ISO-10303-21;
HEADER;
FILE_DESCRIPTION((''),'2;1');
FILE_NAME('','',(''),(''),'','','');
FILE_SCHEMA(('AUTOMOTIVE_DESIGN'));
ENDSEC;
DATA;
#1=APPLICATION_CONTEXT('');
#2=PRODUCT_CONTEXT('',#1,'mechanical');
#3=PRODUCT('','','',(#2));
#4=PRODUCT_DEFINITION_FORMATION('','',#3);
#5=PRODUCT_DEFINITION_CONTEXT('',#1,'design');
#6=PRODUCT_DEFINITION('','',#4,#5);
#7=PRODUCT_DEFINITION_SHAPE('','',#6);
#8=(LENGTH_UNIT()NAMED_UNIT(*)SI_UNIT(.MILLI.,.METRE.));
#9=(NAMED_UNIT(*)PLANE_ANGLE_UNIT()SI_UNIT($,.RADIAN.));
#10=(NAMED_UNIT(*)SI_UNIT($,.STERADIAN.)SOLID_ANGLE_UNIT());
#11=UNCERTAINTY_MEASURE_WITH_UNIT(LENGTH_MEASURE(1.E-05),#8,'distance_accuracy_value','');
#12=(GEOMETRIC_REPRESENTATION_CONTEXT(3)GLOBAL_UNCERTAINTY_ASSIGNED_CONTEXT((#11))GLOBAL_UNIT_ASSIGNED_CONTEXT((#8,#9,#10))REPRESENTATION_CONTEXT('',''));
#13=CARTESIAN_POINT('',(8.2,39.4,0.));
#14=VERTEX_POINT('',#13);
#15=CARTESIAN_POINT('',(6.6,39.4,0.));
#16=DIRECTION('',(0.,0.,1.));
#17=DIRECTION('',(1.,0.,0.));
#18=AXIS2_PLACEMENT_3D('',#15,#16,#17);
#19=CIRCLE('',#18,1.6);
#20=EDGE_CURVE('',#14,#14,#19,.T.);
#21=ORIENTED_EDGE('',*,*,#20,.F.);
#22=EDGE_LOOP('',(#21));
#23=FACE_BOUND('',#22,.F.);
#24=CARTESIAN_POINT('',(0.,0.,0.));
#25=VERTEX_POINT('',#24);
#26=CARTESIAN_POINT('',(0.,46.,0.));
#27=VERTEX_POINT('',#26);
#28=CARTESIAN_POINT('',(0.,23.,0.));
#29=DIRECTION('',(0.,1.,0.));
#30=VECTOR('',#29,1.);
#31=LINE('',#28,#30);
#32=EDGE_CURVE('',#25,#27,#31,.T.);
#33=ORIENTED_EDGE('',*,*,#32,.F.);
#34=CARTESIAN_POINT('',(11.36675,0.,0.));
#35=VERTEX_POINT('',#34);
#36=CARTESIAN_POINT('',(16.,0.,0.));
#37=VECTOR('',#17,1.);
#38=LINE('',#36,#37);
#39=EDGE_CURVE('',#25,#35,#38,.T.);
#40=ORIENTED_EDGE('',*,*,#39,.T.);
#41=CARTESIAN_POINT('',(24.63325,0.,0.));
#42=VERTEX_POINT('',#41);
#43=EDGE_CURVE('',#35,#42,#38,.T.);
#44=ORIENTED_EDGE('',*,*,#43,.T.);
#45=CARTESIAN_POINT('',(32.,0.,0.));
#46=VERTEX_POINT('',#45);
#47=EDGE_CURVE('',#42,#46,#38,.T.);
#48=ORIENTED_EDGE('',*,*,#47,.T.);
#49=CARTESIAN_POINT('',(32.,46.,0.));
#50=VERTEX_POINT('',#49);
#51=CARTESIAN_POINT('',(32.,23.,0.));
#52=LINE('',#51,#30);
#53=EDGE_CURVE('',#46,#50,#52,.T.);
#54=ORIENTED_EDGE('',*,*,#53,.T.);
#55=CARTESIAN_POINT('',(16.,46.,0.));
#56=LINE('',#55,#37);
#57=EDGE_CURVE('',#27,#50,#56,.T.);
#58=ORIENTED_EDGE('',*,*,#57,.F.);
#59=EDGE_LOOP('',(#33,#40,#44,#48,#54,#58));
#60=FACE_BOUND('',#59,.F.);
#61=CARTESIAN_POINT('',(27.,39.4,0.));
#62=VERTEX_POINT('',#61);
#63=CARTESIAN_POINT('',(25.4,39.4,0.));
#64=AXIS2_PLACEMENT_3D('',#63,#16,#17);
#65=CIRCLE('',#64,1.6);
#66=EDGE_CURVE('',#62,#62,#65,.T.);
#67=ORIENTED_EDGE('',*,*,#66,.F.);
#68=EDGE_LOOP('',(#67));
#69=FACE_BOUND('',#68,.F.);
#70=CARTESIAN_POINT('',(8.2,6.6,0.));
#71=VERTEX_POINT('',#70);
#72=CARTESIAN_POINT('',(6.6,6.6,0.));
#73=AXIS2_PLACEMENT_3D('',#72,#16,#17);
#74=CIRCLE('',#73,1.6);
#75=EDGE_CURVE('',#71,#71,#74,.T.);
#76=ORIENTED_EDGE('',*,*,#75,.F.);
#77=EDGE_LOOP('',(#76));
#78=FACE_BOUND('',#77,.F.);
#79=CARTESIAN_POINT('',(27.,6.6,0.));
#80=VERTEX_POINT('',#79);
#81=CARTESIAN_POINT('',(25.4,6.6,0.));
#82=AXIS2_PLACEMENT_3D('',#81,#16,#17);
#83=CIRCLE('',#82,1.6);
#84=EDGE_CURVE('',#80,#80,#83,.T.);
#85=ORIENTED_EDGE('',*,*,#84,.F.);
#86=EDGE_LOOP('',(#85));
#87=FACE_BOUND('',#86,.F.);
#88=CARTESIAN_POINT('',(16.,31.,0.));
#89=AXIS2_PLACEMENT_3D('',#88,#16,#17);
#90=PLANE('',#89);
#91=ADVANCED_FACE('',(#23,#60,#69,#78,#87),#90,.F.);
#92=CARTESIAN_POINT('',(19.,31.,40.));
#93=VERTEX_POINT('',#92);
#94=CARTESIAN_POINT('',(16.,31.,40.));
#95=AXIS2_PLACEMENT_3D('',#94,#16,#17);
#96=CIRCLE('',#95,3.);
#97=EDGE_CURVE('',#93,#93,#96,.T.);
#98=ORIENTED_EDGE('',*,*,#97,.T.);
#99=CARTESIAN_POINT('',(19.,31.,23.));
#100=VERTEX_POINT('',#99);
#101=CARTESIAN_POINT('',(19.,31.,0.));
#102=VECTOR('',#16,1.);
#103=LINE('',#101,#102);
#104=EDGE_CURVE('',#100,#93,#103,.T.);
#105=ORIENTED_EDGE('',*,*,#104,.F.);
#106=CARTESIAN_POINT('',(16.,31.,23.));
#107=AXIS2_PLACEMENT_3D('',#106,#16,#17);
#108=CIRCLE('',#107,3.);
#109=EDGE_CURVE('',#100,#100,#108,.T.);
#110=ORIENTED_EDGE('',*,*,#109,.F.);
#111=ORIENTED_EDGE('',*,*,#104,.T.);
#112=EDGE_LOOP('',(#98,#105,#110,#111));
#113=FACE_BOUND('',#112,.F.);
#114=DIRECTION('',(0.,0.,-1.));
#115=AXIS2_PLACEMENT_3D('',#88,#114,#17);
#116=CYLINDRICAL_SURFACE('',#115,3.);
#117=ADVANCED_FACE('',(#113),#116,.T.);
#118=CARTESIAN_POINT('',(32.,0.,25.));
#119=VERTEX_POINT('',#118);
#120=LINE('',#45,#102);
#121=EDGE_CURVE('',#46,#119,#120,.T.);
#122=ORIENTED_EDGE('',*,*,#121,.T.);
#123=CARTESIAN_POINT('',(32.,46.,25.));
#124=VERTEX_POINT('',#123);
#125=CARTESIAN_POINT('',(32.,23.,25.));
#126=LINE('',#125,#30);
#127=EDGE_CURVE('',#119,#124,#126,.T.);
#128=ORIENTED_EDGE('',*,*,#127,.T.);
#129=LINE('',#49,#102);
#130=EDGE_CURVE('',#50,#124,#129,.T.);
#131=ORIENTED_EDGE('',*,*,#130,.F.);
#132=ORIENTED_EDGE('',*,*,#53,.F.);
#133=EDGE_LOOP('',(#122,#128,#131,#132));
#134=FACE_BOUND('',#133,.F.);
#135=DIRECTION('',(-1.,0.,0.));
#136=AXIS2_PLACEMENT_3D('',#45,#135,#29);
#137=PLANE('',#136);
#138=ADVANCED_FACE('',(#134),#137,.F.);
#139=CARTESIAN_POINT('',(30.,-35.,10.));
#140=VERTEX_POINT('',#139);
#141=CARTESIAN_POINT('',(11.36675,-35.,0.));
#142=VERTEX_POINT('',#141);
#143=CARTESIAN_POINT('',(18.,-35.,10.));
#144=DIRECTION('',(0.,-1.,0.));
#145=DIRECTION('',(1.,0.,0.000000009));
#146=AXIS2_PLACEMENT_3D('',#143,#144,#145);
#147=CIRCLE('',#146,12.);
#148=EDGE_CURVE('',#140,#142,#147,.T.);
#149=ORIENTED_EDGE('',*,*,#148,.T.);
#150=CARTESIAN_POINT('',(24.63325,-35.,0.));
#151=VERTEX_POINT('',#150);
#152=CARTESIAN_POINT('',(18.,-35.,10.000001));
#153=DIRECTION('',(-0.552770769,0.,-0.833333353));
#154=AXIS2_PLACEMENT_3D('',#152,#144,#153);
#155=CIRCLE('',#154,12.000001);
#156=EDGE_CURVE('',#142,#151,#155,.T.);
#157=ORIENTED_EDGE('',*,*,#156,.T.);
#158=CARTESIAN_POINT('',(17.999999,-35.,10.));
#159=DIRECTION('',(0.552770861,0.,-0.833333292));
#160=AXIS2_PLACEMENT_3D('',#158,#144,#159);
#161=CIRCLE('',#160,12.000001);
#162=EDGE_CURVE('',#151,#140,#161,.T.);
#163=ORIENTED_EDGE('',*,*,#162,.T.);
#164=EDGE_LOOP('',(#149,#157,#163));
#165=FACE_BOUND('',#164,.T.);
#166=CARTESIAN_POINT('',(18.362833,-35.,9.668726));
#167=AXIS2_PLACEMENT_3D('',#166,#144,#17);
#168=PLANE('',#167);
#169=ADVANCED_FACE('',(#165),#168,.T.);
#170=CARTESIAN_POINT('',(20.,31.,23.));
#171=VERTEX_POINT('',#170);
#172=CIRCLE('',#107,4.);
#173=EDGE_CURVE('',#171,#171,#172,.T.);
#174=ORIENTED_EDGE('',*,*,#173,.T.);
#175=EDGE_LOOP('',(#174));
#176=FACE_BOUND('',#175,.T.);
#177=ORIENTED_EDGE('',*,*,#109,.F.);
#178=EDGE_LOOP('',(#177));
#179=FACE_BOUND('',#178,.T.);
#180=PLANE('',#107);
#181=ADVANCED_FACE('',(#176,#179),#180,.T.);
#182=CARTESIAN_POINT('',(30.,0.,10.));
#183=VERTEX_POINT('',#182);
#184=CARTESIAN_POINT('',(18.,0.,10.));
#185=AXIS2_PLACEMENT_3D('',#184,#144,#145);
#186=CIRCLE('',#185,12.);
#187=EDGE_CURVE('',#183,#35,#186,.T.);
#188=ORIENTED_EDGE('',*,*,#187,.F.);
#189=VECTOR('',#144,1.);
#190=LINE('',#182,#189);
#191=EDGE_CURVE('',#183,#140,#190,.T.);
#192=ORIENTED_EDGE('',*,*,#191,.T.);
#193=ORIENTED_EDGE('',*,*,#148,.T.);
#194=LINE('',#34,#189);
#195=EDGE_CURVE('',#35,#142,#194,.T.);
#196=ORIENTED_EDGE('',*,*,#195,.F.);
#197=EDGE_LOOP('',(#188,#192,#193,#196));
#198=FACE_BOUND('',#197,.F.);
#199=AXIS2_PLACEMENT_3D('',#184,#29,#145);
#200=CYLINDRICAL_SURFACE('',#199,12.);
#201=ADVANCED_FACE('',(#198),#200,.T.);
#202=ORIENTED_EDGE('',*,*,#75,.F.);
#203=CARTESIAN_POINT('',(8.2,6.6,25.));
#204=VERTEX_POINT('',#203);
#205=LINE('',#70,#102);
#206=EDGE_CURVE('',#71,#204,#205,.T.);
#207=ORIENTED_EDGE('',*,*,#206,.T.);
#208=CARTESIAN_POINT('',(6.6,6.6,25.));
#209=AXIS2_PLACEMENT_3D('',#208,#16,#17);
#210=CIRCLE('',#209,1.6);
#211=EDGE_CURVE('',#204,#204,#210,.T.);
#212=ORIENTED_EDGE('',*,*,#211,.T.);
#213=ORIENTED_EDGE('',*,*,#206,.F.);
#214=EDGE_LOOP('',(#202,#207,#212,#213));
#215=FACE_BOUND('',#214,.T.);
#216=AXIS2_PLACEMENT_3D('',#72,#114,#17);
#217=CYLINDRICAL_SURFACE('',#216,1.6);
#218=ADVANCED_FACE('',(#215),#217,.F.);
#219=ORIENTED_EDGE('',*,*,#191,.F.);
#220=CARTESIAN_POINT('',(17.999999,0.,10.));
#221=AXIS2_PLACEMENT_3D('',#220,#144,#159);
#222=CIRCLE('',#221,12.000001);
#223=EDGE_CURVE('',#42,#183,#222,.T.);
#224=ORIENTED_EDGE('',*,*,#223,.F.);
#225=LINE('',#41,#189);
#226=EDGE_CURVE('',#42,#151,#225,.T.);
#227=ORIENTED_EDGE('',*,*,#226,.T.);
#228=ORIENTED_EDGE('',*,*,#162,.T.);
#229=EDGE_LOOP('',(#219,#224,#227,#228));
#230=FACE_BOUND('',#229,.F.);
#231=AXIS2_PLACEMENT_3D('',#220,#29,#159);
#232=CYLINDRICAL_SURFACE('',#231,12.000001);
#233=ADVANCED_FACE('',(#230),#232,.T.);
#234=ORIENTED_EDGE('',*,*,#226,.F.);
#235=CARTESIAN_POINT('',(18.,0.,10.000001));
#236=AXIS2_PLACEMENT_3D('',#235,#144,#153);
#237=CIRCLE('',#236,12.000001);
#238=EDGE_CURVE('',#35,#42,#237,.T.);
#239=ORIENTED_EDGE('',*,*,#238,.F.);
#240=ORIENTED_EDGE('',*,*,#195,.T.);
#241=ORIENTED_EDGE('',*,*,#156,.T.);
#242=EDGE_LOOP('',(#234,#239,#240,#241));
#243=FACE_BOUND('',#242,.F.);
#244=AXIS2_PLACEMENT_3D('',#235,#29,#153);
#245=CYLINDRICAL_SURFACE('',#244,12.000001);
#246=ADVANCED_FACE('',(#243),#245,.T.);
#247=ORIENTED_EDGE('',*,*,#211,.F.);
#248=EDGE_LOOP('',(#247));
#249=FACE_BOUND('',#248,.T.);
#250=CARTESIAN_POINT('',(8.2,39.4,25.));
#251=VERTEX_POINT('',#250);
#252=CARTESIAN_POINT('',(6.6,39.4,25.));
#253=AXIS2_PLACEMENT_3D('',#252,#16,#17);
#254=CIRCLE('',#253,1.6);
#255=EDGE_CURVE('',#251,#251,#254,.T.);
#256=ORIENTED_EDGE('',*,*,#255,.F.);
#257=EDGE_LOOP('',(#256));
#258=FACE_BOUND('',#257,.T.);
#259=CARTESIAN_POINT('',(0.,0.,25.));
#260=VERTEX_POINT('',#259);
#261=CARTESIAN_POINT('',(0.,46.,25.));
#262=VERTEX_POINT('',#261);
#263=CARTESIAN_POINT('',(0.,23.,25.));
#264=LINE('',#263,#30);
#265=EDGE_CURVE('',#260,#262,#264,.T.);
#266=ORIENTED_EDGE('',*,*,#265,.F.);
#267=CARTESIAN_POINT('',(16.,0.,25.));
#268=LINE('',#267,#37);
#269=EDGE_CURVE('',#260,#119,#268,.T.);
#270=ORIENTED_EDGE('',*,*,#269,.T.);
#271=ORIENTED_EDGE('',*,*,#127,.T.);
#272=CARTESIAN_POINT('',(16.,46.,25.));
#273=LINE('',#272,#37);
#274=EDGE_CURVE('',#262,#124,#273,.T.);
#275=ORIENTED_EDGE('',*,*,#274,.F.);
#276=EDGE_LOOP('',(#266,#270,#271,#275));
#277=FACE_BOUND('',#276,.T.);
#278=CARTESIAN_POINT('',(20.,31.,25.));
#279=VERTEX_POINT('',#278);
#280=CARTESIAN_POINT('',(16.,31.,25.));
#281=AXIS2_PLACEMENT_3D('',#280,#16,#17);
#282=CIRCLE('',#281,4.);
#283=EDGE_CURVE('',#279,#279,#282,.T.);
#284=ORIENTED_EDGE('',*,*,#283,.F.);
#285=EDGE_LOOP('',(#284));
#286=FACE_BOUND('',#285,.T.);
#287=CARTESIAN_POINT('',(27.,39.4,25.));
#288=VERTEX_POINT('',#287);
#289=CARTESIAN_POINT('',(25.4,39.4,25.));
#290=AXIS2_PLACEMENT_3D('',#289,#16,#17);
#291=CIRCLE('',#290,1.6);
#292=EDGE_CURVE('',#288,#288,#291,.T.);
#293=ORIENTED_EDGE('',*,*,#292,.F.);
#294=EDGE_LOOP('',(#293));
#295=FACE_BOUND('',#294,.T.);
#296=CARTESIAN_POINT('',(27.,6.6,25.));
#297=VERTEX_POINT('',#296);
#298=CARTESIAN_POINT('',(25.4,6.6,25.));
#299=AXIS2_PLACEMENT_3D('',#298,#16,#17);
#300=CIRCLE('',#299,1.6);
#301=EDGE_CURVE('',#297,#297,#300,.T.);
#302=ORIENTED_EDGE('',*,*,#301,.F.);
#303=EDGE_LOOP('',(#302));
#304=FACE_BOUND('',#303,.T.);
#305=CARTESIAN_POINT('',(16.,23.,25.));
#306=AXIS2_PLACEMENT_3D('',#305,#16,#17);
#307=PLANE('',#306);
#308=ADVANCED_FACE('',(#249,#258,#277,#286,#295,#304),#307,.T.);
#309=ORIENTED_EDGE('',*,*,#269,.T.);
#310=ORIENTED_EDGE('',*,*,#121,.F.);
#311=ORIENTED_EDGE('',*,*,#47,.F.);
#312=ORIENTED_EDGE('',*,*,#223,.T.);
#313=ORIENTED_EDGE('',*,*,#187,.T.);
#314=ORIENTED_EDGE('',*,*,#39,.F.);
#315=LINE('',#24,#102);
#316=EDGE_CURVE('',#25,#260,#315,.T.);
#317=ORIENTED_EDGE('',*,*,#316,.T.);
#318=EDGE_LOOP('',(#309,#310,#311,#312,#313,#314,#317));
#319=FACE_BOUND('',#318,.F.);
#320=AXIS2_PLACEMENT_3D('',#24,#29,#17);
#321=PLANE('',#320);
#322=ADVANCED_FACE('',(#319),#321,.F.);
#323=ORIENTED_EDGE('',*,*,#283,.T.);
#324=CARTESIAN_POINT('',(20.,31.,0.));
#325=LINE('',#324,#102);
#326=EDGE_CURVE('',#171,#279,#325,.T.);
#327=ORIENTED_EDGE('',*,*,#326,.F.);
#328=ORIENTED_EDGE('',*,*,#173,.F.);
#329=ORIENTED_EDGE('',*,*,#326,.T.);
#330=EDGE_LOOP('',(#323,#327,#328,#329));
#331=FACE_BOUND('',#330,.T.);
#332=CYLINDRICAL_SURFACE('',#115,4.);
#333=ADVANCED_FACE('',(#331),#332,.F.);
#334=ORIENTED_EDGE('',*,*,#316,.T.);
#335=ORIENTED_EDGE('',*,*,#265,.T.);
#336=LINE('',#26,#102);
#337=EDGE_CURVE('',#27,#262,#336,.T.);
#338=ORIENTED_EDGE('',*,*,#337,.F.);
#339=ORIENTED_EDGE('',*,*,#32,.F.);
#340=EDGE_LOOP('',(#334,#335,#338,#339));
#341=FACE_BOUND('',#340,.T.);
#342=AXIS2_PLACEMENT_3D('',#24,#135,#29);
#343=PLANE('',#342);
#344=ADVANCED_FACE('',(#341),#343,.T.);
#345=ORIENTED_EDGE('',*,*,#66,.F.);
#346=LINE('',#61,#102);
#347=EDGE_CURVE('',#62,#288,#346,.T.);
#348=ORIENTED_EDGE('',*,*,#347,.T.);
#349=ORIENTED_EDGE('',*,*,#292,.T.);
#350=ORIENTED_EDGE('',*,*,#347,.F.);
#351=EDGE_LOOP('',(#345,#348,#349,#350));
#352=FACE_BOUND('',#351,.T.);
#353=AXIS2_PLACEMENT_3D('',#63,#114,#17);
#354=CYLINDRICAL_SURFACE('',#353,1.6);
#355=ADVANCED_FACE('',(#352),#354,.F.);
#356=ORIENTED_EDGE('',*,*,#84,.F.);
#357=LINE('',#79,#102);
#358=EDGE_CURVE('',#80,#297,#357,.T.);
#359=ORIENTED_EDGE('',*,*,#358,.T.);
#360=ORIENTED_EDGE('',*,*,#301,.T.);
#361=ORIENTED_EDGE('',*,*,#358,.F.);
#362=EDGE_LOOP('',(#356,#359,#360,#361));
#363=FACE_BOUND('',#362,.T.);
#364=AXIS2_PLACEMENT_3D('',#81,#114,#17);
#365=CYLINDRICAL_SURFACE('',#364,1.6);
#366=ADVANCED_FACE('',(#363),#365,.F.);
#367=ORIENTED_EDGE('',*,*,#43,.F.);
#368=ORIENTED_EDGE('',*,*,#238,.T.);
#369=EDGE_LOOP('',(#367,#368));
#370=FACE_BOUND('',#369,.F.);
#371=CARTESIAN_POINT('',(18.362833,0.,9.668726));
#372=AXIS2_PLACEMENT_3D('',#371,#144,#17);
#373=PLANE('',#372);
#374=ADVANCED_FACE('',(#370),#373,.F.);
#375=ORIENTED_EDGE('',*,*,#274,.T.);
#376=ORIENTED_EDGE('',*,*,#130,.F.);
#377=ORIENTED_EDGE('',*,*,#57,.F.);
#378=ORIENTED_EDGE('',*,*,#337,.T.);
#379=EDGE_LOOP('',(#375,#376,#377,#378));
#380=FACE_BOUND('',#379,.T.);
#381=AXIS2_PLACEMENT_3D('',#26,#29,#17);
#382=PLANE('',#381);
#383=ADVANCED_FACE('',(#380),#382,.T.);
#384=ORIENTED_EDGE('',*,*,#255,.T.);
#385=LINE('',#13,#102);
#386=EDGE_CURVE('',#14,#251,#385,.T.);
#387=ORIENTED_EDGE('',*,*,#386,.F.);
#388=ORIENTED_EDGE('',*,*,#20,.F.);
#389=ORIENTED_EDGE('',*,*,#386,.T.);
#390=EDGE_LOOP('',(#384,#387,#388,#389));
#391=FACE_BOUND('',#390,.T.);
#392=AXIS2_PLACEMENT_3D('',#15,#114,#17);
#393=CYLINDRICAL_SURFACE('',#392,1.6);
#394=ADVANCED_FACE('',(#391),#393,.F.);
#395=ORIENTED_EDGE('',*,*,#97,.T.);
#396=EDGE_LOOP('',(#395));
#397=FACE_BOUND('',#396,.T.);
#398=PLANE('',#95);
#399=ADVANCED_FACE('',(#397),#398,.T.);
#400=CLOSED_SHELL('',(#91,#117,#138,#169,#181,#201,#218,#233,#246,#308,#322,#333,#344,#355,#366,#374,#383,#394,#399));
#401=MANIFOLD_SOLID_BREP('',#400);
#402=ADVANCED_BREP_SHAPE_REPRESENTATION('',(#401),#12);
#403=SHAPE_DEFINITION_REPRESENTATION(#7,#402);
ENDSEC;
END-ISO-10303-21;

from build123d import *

# Parameters (mm, degrees)
F0_W     = 32
F0_H     = 46
F0_R     = 1.6
F0_R_2   = 4
F1_DEPTH = 25
F3_DEPTH = 35
F0_R_3   = 3
F4_DEPTH = 23
F5_DEPTH = 40


with BuildPart() as f1:
    # F0 (on Top) → F1 (new body)
    with BuildSketch(Plane.XY):
        with Locations((16, 23)):
            Rectangle(F0_W, F0_H)
        with Locations((6.6, 6.6)):
            Circle(F0_R, mode=Mode.SUBTRACT)
        with Locations((25.4, 6.6)):
            Circle(F0_R, mode=Mode.SUBTRACT)
        with Locations((6.6, 39.4)):
            Circle(F0_R, mode=Mode.SUBTRACT)
        with Locations((16, 31)):
            Circle(F0_R_2, mode=Mode.SUBTRACT)
        with Locations((25.4, 39.4)):
            Circle(F0_R, mode=Mode.SUBTRACT)
    extrude(amount=F1_DEPTH)

    # F2 (on face) → F3 (join)
    with BuildSketch(Plane.XZ):
        with BuildLine():
            ThreePointArc((24.63325, 0), (28.573528, 4.325451), (30, 10))
            ThreePointArc((30, 10), (12.325451, 20.573528), (11.36675, 0))
            Line((11.36675, 0), (24.63325, 0))
        make_face()
        with BuildLine():
            Line((24.63325, 0), (11.36675, 0))
            ThreePointArc((11.36675, 0), (18, -2), (24.63325, 0))
        make_face()
    extrude(amount=F3_DEPTH)

    # F0 (on Top) → F4 (join)
    with BuildSketch(Plane.XY):
        with Locations((16, 31)):
            Circle(F0_R_2)
        with Locations((16, 31)):
            Circle(F0_R_3, mode=Mode.SUBTRACT)
    extrude(amount=F4_DEPTH)

    # F0 (on Top) → F5 (join)
    with BuildSketch(Plane.XY):
        with Locations((16, 31)):
            Circle(F0_R_3)
    extrude(amount=F5_DEPTH)


solid = f1.part
